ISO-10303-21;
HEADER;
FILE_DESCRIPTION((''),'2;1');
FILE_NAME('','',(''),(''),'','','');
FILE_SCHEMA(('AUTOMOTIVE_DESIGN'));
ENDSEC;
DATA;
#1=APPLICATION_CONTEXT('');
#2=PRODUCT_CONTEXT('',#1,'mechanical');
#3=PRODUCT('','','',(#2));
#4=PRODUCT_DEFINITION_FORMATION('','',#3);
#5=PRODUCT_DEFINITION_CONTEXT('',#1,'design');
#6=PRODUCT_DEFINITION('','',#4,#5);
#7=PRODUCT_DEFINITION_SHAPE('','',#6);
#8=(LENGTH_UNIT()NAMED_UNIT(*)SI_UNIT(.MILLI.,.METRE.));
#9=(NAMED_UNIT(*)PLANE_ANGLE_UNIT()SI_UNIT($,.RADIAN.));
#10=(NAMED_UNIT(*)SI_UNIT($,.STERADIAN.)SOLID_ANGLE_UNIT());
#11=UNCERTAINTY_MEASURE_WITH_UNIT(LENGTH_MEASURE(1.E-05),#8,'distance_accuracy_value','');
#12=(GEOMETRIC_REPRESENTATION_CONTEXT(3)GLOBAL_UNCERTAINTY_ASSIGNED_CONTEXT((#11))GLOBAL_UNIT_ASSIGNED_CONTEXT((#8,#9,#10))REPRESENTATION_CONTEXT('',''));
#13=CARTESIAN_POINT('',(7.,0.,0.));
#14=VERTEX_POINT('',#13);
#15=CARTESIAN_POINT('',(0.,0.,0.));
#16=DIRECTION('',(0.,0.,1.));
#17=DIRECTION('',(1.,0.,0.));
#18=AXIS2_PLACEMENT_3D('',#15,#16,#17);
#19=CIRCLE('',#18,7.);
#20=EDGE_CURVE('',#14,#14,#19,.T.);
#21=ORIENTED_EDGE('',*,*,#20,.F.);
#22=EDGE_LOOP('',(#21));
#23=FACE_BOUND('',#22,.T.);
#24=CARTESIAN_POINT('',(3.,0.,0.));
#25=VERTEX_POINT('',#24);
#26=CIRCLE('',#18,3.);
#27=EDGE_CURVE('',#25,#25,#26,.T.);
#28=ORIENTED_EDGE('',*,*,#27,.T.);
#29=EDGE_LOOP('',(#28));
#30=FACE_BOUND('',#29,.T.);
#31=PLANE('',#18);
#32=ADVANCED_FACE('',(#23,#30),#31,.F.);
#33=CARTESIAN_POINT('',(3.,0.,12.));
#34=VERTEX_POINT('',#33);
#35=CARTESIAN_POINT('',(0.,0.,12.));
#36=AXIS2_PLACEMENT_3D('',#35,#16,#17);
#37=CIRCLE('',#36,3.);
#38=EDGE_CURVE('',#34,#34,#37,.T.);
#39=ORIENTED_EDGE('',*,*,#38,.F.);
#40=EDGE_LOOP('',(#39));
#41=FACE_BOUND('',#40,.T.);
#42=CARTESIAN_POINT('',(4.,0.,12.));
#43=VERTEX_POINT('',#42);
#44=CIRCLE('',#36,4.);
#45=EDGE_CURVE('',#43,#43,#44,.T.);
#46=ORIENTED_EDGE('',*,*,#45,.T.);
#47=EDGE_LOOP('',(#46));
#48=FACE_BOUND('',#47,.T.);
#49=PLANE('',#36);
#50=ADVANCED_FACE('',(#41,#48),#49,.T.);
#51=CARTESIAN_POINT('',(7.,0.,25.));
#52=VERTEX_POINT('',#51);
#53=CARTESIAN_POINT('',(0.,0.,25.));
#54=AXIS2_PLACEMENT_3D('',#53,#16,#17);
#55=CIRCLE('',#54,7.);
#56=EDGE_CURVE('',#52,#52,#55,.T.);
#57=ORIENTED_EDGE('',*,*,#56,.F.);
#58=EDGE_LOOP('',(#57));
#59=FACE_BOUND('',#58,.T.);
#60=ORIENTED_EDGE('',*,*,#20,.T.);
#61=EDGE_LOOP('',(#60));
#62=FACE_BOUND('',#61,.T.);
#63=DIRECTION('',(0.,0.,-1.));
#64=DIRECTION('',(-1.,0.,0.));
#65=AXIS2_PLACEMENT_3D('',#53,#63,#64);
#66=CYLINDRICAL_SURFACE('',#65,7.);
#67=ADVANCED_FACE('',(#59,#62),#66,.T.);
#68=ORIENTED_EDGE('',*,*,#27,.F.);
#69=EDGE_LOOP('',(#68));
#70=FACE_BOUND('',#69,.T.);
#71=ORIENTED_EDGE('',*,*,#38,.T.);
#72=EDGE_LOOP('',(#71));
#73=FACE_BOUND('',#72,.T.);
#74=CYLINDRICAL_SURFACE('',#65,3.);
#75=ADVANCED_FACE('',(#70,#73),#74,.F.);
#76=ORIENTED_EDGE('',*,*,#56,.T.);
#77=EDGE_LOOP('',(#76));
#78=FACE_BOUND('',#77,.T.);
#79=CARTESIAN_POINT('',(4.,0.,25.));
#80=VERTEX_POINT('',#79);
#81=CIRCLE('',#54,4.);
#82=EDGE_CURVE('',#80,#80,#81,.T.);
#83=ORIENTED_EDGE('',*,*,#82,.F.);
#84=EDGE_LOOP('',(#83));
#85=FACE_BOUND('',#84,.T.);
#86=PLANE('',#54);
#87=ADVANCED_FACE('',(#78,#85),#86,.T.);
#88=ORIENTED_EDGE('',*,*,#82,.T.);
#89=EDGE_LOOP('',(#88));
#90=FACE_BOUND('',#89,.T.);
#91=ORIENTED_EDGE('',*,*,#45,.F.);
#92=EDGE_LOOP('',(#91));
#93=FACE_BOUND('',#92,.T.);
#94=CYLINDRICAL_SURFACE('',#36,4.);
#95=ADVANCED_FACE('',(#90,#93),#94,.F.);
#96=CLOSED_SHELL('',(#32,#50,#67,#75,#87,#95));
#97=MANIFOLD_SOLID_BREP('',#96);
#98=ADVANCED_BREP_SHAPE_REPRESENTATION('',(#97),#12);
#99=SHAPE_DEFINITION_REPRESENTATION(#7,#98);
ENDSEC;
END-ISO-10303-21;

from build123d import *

# Parameters (mm, degrees)
SKETCH1_R           = 7
SKETCH1_R_2         = 3
BOSS_EXTRUDE1_DEPTH = 25
SKETCH3_R           = 4
CUT_EXTRUDE1_DEPTH  = 13


with BuildPart() as part:
    # Sketch1 → Boss-Extrude1 (new body)
    with BuildSketch(Plane(origin=(0, 0, 0), x_dir=(0, 1, 0), z_dir=(0, 0, 1))):
        Circle(SKETCH1_R)
        Circle(SKETCH1_R_2, mode=Mode.SUBTRACT)
    extrude(amount=BOSS_EXTRUDE1_DEPTH)

    # Sketch3 → Cut-Extrude1 (cut)
    with BuildSketch(Plane.XY.offset(25)):
        Circle(SKETCH3_R)
    extrude(amount=-CUT_EXTRUDE1_DEPTH, mode=Mode.SUBTRACT)


solid = part.part
